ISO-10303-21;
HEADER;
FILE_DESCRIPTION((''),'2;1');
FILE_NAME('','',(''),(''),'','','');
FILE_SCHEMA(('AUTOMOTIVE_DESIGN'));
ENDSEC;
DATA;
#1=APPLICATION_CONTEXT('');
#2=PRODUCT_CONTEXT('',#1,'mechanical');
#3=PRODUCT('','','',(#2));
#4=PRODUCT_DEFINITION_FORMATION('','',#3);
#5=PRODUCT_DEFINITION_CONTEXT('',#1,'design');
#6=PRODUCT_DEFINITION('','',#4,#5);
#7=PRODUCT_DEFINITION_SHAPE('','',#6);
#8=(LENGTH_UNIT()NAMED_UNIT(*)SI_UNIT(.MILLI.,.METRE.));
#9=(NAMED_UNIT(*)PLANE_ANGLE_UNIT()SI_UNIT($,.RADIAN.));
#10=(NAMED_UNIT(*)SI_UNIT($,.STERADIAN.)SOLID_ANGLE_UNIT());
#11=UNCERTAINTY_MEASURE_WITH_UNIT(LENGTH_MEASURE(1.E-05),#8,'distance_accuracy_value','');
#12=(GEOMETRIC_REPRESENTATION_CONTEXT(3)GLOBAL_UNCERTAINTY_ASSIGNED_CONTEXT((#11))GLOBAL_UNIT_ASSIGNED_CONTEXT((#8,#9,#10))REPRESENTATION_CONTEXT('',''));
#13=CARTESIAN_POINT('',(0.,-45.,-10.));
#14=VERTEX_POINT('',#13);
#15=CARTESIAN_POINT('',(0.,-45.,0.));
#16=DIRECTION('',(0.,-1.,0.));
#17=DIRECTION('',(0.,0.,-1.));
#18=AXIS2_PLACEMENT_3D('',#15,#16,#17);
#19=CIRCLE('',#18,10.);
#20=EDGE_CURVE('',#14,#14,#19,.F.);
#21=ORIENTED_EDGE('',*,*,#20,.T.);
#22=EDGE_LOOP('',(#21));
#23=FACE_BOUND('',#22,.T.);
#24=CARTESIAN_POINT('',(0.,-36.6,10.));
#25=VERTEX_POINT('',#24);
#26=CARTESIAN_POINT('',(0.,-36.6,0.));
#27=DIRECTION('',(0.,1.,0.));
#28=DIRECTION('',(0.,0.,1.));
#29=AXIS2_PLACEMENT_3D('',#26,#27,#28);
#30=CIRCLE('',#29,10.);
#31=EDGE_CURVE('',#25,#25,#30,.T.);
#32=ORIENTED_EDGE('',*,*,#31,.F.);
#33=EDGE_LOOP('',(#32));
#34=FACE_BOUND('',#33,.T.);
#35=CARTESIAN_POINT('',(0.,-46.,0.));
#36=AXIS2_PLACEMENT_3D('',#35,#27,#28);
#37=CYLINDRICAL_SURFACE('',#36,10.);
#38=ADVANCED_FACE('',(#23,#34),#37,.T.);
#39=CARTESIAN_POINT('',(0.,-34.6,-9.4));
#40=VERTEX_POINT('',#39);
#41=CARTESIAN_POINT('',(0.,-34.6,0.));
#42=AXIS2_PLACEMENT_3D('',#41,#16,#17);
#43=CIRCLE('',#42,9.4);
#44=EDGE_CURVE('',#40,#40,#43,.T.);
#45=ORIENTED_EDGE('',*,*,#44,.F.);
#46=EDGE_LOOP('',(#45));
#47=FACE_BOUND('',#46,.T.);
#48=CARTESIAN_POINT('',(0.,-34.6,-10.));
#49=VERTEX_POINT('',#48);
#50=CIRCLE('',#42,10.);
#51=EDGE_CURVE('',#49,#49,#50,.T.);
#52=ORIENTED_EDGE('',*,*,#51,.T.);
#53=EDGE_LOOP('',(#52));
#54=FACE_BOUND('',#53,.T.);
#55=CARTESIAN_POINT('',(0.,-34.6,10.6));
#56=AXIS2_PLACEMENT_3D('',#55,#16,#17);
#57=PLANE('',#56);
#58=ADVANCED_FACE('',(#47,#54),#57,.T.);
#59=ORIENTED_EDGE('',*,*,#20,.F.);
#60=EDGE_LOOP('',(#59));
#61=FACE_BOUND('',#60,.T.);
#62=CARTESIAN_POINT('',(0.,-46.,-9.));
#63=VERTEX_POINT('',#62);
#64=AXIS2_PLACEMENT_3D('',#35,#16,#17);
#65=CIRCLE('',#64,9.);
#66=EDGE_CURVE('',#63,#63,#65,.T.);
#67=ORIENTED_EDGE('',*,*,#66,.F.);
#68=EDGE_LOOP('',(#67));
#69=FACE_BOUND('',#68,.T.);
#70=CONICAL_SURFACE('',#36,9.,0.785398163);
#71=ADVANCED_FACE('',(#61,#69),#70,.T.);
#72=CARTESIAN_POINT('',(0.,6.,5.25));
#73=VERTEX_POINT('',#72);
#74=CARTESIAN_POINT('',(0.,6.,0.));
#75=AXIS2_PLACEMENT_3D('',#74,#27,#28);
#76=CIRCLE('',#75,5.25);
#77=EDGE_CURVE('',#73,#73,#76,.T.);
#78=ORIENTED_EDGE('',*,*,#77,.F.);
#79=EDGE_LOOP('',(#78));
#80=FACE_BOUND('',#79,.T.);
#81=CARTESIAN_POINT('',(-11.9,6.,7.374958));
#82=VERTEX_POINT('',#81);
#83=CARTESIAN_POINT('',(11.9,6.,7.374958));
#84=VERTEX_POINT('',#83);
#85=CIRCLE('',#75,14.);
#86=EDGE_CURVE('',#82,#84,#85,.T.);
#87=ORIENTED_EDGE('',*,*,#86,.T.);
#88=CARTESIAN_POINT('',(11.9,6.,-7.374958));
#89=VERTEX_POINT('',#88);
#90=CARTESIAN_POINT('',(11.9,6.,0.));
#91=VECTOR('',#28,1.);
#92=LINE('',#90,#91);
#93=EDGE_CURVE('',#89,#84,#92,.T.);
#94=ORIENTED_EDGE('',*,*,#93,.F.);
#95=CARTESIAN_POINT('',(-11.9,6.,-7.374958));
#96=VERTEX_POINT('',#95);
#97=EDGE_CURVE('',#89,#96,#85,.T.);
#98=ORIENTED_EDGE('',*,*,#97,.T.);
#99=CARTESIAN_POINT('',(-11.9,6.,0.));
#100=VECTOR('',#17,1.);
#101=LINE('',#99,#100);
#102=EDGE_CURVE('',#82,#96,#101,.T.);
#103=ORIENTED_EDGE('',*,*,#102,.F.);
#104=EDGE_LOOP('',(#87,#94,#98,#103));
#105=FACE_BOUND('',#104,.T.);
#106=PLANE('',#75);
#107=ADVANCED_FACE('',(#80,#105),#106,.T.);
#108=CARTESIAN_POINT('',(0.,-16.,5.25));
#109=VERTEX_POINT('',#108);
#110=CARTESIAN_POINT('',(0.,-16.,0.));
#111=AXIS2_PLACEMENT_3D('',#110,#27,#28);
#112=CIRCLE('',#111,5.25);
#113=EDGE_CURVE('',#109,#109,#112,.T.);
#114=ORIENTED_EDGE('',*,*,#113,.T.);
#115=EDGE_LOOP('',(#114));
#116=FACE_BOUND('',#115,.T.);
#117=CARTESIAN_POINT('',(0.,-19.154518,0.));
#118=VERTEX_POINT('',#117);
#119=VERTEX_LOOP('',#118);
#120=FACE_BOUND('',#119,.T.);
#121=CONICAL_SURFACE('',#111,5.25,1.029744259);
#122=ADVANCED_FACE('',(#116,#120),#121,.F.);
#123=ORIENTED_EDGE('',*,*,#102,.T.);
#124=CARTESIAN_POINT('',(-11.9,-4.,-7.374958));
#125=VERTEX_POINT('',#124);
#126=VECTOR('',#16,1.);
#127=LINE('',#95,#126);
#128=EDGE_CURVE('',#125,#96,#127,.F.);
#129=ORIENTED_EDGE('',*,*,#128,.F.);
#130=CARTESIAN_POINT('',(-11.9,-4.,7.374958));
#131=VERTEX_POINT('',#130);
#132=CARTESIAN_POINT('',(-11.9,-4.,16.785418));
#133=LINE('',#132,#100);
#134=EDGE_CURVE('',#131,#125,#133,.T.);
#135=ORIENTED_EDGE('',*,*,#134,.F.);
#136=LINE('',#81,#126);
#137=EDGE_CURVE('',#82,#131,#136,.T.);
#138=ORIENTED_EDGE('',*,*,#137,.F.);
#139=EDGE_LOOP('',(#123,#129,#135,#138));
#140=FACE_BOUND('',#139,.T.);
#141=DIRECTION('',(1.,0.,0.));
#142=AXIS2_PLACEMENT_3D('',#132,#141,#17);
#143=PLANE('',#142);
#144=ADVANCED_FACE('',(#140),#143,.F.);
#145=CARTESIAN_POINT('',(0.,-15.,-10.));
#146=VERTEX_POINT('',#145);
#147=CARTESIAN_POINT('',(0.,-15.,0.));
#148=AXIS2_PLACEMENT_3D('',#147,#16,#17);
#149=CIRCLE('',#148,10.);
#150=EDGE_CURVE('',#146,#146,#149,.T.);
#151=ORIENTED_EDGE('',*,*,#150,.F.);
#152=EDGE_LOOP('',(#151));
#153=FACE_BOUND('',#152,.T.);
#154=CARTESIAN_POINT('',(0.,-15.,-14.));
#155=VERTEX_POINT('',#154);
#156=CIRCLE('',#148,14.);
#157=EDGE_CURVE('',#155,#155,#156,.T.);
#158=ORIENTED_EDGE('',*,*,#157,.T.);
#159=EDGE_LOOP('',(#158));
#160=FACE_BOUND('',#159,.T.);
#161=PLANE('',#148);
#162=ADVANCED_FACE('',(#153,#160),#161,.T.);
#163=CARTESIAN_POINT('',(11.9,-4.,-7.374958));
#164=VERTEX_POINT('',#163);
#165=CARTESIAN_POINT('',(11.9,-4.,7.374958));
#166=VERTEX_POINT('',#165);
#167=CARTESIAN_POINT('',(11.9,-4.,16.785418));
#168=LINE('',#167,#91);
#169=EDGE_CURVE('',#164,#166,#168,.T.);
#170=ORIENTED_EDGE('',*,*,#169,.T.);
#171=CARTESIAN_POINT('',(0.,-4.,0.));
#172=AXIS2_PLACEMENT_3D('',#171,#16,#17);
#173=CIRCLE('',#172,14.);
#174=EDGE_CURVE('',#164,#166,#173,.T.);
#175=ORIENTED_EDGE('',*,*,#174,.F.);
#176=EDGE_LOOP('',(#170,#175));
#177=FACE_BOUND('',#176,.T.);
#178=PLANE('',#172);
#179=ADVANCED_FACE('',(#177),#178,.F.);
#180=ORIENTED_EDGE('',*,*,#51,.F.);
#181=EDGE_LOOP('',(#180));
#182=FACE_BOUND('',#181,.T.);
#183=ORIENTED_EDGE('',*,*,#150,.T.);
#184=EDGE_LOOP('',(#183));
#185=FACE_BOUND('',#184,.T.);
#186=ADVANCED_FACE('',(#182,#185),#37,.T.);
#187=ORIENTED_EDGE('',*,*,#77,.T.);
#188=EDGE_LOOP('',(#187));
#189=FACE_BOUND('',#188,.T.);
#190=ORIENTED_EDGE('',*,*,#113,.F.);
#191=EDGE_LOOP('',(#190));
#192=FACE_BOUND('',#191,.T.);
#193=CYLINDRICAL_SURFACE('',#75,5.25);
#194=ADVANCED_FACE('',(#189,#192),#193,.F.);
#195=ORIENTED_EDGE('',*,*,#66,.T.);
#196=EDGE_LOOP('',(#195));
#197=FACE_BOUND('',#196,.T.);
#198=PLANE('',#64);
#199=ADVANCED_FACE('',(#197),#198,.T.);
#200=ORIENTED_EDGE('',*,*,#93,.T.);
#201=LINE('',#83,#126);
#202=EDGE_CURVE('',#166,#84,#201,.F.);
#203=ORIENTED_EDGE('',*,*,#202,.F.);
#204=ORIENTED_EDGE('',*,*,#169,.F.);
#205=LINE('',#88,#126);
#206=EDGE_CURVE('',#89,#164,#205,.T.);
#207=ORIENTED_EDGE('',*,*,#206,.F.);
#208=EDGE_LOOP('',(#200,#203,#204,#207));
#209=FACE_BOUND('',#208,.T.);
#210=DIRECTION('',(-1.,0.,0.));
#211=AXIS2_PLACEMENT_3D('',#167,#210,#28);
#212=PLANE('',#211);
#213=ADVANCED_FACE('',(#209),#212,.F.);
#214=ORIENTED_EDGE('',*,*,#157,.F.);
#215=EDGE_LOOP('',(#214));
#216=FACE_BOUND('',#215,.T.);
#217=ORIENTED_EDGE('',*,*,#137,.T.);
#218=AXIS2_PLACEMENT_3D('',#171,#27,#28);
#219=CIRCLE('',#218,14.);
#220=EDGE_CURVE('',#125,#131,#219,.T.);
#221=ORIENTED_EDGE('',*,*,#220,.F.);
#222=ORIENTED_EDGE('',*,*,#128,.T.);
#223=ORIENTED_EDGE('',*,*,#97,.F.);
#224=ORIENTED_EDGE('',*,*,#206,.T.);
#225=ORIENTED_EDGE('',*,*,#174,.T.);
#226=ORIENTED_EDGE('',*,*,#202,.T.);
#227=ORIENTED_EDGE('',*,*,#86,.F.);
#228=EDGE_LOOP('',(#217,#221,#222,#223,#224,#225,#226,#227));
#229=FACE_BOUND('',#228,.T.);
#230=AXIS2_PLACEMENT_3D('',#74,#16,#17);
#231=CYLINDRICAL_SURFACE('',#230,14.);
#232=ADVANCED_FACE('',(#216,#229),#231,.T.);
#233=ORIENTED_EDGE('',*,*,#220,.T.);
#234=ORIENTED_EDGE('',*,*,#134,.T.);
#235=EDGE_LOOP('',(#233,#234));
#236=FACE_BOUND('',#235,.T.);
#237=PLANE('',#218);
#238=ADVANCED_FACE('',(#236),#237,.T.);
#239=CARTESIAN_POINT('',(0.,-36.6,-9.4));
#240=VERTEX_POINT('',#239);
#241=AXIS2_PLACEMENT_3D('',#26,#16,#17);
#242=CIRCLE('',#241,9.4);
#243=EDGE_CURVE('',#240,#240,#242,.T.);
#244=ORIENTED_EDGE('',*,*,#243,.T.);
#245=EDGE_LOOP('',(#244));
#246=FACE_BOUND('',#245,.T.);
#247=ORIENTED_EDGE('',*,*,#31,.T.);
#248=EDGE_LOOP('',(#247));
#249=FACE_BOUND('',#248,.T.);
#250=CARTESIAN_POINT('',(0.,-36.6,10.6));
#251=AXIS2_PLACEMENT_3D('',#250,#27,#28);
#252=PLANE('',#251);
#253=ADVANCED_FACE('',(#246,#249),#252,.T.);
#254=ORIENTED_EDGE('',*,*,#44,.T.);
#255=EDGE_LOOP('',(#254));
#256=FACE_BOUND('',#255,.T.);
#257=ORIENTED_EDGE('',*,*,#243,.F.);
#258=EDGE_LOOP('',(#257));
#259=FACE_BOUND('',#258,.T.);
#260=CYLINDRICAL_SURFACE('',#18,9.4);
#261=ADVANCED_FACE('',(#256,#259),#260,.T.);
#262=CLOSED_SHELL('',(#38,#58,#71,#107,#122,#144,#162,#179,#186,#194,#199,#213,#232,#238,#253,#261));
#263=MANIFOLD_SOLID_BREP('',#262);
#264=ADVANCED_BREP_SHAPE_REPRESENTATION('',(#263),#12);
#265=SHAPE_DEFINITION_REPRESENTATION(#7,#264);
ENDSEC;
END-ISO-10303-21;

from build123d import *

# Parameters (mm, degrees)
SKETCH1_R                        = 14
BOSS_EXTRUDE1_DEPTH              = 6
SKETCH2_R                        = 14
BOSS_EXTRUDE2_DEPTH              = 15
SKETCH3_R                        = 10
BOSS_EXTRUDE3_DEPTH              = 31
F_10_5_10_5_DIAMETER_HOLE1_D     = 10.5
F_10_5_10_5_DIAMETER_HOLE1_DEPTH = 22
F_10_5_10_5_DIAMETER_HOLE1_TIP   = 3.15451825
CHAMFER1_SIZE                    = 1
SKETCH5_W                        = 6.241360462
SKETCH5_H                        = 33.57083513
SKETCH5_W_2                      = 3.803761641
CUT_EXTRUDE2_DEPTH               = 10
SKETCH6_W                        = 1.2
SKETCH6_H                        = 2


with BuildPart() as part:
    # Sketch1 → Boss-Extrude1 (new body)
    with BuildSketch(Plane(origin=(0, 0, 0), x_dir=(1, 0, 0), z_dir=(0, 1, 0))):
        Circle(SKETCH1_R)
    extrude(amount=BOSS_EXTRUDE1_DEPTH)

    # Sketch2 → Boss-Extrude2 (add)
    with BuildSketch(Plane.XZ):
        Circle(SKETCH2_R)
    extrude(amount=BOSS_EXTRUDE2_DEPTH)

    # Sketch3 → Boss-Extrude3 (add)
    with BuildSketch(Plane.XZ.offset(15)):
        Circle(SKETCH3_R)
    extrude(amount=BOSS_EXTRUDE3_DEPTH)

    # Ø10.5 (10.5) Diameter Hole1
    with Locations(Plane.ZX.offset(6)):
        with Locations((0, 0)):
            Hole(F_10_5_10_5_DIAMETER_HOLE1_D / 2, depth=F_10_5_10_5_DIAMETER_HOLE1_DEPTH)
            with Locations((0, 0, -(F_10_5_10_5_DIAMETER_HOLE1_DEPTH + F_10_5_10_5_DIAMETER_HOLE1_TIP / 2))):  # 118° drill point
                Cone(0, F_10_5_10_5_DIAMETER_HOLE1_D / 2, F_10_5_10_5_DIAMETER_HOLE1_TIP, mode=Mode.SUBTRACT)

    # Chamfer1
    chamfer1_edges = [part.edges().sort_by_distance(p)[0] for p in [
        (-10, -46, 0),
    ]]
    chamfer(chamfer1_edges, length=CHAMFER1_SIZE)

    # Sketch5 → Cut-Extrude2 (cut)
    with BuildSketch(Plane(origin=(0, 6, 0), x_dir=(1, 0, 0), z_dir=(0, 1, 0))):
        with Locations((-15.020680231, 0)):
            Rectangle(SKETCH5_W, SKETCH5_H)
        with Locations((13.801880821, 0)):
            Rectangle(SKETCH5_W_2, SKETCH5_H)
    extrude(amount=-CUT_EXTRUDE2_DEPTH, mode=Mode.SUBTRACT)

    # Sketch6 → Cut-Revolve1 (revolve, cut)
    with BuildSketch(Plane(origin=(0, 0, 0), x_dir=(0, 0, -1), z_dir=(1, 0, 0))):
        with Locations((-10, -35.6)):
            Rectangle(SKETCH6_W, SKETCH6_H)
    revolve(axis=Axis((0, -46, 0), (0, 1, 0)), mode=Mode.SUBTRACT)


solid = part.part
